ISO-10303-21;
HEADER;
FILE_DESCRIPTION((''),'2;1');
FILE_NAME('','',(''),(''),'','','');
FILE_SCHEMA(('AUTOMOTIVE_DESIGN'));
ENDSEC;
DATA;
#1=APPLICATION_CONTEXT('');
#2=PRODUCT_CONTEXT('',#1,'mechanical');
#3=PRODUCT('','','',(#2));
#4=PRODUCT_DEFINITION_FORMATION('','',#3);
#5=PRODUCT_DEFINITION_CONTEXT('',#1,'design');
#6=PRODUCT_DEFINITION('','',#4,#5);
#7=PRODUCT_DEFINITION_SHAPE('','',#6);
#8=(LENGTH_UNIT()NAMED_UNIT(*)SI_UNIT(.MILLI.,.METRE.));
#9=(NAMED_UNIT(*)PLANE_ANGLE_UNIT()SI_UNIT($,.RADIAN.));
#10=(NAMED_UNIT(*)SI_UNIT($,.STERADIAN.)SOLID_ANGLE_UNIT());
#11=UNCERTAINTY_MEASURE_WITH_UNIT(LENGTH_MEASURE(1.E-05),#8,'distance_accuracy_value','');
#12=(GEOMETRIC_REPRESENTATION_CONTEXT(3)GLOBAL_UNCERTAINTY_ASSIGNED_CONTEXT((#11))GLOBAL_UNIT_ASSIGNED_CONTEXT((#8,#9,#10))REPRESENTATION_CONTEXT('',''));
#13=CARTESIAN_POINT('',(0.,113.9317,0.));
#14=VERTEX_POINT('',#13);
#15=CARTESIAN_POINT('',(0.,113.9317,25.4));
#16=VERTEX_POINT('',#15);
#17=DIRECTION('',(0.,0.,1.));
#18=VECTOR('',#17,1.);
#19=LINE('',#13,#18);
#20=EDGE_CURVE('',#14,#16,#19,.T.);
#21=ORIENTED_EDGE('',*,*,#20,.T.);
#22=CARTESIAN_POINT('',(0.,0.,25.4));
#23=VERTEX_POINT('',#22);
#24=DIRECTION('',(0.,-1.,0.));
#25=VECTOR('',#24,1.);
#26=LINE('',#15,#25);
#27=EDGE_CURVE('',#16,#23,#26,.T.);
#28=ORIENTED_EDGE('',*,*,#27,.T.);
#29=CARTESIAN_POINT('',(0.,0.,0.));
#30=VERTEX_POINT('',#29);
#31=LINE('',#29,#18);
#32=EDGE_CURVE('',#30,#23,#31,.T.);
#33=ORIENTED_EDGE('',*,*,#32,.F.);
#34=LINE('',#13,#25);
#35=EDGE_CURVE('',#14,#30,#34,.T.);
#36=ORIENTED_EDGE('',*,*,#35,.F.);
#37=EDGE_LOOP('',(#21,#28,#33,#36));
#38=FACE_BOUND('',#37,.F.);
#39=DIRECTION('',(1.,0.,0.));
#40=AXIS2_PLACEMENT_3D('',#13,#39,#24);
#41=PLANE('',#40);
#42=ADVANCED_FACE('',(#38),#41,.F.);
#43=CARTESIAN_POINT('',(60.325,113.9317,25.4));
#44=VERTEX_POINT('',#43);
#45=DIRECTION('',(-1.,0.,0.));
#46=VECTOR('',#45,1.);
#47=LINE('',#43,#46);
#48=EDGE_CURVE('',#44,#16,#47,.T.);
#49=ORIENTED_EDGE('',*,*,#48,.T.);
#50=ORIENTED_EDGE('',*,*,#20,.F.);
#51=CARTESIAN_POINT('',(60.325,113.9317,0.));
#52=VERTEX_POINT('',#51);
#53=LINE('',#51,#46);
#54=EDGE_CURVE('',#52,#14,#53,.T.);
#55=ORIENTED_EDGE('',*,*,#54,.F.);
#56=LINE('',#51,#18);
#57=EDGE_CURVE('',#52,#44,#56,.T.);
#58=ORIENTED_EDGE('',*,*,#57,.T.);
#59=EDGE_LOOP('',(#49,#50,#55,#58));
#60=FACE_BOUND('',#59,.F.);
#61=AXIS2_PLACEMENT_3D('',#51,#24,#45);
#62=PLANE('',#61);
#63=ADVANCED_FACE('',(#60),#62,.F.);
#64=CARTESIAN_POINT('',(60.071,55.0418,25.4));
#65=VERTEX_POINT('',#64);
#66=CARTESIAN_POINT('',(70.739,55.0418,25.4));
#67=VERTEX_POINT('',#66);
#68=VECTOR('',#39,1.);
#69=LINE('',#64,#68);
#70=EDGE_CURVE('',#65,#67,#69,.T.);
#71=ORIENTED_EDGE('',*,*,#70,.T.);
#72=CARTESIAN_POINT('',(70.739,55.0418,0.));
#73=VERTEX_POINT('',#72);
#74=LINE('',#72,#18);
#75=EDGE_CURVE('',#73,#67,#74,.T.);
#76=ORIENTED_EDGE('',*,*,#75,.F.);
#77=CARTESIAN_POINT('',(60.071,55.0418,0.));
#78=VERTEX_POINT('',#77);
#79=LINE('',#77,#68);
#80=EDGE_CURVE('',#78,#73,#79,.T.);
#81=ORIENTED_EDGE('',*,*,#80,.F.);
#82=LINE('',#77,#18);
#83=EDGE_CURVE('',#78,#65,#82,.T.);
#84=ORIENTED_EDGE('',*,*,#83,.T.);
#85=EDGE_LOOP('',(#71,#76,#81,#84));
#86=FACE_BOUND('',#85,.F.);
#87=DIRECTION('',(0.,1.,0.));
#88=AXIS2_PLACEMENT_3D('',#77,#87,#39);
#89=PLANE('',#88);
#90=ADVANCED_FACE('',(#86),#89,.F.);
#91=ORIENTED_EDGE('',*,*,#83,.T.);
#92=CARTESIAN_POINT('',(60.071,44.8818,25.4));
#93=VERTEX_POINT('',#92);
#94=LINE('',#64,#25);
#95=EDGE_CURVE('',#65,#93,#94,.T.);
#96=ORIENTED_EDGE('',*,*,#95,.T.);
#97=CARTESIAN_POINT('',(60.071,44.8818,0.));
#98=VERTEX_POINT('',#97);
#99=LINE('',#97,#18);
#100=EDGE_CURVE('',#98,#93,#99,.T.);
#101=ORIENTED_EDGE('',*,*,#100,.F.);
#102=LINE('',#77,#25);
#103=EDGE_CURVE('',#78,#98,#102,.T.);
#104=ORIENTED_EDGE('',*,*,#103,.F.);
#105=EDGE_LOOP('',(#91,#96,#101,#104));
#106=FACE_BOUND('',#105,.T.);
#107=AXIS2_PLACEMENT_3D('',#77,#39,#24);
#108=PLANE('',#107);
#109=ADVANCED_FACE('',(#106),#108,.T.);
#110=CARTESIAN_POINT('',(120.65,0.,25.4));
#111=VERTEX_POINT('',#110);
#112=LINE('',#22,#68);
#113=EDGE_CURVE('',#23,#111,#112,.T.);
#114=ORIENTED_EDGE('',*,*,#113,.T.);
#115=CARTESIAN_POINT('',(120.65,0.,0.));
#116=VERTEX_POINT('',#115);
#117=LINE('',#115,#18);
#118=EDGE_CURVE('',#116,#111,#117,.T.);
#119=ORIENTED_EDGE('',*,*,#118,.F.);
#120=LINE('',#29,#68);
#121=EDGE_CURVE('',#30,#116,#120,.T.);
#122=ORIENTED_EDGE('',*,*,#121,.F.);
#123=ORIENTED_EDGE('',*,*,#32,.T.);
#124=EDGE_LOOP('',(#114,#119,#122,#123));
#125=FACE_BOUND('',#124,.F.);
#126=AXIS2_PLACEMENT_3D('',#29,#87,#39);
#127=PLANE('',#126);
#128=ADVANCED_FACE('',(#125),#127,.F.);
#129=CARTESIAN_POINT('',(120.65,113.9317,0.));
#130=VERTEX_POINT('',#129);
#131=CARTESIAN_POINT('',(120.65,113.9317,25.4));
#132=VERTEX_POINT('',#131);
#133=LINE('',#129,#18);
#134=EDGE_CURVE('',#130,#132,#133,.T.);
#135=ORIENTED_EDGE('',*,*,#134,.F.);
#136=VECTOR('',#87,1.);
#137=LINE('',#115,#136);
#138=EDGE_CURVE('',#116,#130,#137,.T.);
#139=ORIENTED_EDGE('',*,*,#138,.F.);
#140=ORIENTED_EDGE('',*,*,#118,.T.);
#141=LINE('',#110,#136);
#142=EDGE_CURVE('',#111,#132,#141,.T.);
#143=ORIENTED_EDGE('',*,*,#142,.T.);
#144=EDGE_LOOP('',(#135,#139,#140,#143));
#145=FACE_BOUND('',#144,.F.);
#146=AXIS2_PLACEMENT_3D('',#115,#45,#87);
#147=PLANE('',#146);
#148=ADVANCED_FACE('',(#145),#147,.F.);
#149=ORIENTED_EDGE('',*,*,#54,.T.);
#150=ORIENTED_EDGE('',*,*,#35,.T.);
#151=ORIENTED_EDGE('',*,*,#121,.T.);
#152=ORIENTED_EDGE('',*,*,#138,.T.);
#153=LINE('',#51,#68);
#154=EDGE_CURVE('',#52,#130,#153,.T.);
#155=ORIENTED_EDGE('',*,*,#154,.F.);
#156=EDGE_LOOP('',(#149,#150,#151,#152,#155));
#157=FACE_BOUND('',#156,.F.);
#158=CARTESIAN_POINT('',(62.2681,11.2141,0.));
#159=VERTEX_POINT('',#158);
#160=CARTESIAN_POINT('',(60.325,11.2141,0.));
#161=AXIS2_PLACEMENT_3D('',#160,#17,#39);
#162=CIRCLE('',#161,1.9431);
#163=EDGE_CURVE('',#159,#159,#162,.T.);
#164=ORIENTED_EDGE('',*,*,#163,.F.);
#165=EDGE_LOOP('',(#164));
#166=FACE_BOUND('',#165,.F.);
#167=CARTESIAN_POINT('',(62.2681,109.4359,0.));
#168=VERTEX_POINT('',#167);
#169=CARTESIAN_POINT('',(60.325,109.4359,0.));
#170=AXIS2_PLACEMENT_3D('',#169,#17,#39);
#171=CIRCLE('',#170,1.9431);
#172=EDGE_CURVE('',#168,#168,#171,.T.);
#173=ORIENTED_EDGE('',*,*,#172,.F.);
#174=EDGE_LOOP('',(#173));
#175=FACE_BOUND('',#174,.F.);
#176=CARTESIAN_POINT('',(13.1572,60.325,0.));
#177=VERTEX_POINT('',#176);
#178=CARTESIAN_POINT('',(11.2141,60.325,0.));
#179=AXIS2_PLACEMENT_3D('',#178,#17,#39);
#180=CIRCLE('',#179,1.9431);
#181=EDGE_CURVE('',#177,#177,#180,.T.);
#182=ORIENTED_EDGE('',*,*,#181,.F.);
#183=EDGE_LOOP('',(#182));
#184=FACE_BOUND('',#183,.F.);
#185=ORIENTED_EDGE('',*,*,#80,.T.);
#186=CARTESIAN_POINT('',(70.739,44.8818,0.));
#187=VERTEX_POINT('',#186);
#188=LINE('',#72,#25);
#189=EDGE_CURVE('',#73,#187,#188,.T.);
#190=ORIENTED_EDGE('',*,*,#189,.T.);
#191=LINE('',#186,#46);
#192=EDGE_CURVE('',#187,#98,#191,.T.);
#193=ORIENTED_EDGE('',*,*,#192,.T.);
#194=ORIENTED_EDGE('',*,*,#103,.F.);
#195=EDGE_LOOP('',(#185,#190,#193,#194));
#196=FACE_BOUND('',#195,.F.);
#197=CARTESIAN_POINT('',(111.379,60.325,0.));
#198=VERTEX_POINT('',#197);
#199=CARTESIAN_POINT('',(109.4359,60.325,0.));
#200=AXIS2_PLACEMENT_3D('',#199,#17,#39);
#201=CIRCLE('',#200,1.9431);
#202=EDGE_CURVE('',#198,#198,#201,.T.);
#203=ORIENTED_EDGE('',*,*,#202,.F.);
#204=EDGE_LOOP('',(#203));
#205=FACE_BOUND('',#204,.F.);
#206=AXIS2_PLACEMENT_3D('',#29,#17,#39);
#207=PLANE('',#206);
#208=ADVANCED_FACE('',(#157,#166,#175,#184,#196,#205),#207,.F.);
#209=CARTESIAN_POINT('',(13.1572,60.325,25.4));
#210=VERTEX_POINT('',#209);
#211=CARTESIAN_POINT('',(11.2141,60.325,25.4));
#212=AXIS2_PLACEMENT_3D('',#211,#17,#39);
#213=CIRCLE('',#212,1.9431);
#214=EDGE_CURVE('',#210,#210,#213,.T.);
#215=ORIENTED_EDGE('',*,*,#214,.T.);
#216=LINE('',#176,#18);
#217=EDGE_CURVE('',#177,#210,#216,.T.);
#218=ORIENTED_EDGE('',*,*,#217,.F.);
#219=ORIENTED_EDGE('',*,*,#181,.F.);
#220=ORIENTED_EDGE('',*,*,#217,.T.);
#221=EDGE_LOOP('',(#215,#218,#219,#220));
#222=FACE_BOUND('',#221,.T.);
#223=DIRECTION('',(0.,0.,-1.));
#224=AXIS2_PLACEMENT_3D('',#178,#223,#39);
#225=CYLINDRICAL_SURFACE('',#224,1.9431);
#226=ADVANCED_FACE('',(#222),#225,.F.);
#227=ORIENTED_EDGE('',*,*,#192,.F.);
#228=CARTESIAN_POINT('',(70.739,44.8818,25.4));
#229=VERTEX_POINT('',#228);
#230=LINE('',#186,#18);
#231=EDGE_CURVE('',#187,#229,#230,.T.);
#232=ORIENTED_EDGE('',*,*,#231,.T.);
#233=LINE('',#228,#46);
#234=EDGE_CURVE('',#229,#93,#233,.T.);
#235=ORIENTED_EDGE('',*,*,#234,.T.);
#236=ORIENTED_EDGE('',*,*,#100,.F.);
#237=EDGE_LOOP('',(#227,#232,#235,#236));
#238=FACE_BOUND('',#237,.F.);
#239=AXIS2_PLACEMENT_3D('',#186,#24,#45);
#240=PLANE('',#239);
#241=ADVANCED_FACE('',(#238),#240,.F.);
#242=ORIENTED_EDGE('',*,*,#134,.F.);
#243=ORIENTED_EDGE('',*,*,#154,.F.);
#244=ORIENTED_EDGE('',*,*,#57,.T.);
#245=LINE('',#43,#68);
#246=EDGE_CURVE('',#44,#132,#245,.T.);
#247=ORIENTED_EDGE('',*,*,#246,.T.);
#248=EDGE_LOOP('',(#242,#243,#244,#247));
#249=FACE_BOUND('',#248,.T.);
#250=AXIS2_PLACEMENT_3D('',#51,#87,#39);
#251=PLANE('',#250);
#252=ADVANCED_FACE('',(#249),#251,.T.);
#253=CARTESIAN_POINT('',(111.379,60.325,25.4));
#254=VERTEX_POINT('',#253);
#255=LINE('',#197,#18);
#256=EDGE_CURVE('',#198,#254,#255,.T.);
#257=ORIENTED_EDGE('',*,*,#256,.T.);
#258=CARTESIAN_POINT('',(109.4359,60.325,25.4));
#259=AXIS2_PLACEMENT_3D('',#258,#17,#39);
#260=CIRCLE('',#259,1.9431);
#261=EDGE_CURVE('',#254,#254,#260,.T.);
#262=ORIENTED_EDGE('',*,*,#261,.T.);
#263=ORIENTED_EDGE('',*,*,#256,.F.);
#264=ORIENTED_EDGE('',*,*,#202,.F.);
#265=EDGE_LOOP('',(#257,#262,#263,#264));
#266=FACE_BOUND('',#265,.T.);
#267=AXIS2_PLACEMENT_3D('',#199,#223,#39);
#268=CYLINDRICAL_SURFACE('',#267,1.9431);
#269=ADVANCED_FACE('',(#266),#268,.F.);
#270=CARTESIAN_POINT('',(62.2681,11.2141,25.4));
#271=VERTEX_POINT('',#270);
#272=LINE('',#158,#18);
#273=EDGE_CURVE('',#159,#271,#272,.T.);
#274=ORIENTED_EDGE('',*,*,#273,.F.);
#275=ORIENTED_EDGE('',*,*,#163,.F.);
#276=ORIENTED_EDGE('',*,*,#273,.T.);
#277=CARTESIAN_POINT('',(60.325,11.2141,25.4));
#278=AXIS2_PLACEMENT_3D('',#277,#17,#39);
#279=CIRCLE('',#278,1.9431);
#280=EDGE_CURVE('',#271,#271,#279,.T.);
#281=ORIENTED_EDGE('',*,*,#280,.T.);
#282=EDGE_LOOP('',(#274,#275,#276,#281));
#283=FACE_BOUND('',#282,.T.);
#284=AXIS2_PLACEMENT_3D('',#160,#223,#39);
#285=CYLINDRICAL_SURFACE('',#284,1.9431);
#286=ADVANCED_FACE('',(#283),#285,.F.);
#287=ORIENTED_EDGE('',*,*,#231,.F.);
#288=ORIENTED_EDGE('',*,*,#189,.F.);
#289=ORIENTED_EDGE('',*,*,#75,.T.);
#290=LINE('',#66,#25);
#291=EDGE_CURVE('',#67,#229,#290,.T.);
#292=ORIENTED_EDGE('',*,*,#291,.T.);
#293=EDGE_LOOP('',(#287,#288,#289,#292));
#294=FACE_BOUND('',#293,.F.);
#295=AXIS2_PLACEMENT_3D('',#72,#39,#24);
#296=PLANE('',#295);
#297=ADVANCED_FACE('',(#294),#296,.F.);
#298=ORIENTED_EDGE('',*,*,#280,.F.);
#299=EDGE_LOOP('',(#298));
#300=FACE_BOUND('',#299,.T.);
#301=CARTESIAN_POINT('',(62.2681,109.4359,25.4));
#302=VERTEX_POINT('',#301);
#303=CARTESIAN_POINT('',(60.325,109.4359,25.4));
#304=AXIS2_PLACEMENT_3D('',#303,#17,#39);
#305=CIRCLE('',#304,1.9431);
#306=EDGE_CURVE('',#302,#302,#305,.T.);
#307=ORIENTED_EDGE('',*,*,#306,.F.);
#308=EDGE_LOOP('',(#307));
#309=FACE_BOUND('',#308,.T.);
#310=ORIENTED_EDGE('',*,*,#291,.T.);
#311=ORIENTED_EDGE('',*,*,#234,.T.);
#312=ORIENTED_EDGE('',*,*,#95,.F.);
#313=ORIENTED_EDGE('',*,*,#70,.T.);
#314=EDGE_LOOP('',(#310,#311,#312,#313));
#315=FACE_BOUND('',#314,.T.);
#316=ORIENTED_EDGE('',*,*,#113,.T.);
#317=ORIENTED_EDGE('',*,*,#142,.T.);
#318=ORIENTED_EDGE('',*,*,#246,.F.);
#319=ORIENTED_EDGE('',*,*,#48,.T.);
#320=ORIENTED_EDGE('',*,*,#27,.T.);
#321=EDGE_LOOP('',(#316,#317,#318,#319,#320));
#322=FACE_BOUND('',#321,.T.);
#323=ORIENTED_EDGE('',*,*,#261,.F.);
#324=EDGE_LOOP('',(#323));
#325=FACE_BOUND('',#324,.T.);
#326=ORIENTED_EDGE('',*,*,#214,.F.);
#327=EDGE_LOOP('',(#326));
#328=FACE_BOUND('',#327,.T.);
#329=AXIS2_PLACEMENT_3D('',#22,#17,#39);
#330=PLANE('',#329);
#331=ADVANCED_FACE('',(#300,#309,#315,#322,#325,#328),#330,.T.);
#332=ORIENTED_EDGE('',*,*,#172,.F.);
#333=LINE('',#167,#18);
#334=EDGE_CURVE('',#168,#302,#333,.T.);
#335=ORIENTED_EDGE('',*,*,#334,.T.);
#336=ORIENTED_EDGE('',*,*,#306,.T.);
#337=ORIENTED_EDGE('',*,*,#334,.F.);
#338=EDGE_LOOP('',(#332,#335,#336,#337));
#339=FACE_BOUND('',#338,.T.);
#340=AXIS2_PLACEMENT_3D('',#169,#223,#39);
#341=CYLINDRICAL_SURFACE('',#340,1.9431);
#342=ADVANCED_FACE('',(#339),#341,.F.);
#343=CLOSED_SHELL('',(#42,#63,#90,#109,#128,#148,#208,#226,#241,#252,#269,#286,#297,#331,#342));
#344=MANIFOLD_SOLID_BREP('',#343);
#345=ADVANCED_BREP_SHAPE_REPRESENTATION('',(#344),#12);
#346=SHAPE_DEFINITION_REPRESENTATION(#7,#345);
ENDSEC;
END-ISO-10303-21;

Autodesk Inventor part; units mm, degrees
ref_plane "YZ Plane" through (0, 0, 0) normal (1, 0, 0) x (0, 1, 0)
ref_plane "XZ Plane" through (0, 0, 0) normal (0, 1, 0) x (-1, 0, 0)
ref_plane "XY Plane" through (0, 0, 0) normal (0, 0, 1) x (1, 0, 0)
sketch "Sketch1" plane through (0, 0, 0) normal (0, 0, 1) x (1, 0, 0)
  line L0 (0, 0) -> (120.65, 0)
  line L1 (120.65, 0) -> (120.65, 113.9317)
  line L2 (0, 113.9317) -> (0, 0)
  circle A0 centre (11.2141, 60.325) radius 1.9431
  circle A1 centre (60.325, 11.2141) radius 1.9431
  circle A2 centre (109.4359, 60.325) radius 1.9431
  circle A3 centre (60.325, 109.4359) radius 1.9431
  line L3 (60.071, 55.0418) -> (70.739, 55.0418)
  line L4 (70.739, 44.8818) -> (60.071, 44.8818)
  line L5 (60.071, 55.0418) -> (60.071, 44.8818)
  line L6 (70.739, 55.0418) -> (70.739, 44.8818)
  line L7 (60.325, 113.9317) -> (120.65, 113.9317)
  line L8 (60.325, 113.9317) -> (0, 113.9317)
  point P0 (60.325, 60.325)
  dimension "d10" = 3.8862
  dimension "d13" = 360
  dimension "d44" = 4.4958
extrude "Extrusion6" add sketch "Sketch1" along normal blind 25.4
properties part number "speakerback"
